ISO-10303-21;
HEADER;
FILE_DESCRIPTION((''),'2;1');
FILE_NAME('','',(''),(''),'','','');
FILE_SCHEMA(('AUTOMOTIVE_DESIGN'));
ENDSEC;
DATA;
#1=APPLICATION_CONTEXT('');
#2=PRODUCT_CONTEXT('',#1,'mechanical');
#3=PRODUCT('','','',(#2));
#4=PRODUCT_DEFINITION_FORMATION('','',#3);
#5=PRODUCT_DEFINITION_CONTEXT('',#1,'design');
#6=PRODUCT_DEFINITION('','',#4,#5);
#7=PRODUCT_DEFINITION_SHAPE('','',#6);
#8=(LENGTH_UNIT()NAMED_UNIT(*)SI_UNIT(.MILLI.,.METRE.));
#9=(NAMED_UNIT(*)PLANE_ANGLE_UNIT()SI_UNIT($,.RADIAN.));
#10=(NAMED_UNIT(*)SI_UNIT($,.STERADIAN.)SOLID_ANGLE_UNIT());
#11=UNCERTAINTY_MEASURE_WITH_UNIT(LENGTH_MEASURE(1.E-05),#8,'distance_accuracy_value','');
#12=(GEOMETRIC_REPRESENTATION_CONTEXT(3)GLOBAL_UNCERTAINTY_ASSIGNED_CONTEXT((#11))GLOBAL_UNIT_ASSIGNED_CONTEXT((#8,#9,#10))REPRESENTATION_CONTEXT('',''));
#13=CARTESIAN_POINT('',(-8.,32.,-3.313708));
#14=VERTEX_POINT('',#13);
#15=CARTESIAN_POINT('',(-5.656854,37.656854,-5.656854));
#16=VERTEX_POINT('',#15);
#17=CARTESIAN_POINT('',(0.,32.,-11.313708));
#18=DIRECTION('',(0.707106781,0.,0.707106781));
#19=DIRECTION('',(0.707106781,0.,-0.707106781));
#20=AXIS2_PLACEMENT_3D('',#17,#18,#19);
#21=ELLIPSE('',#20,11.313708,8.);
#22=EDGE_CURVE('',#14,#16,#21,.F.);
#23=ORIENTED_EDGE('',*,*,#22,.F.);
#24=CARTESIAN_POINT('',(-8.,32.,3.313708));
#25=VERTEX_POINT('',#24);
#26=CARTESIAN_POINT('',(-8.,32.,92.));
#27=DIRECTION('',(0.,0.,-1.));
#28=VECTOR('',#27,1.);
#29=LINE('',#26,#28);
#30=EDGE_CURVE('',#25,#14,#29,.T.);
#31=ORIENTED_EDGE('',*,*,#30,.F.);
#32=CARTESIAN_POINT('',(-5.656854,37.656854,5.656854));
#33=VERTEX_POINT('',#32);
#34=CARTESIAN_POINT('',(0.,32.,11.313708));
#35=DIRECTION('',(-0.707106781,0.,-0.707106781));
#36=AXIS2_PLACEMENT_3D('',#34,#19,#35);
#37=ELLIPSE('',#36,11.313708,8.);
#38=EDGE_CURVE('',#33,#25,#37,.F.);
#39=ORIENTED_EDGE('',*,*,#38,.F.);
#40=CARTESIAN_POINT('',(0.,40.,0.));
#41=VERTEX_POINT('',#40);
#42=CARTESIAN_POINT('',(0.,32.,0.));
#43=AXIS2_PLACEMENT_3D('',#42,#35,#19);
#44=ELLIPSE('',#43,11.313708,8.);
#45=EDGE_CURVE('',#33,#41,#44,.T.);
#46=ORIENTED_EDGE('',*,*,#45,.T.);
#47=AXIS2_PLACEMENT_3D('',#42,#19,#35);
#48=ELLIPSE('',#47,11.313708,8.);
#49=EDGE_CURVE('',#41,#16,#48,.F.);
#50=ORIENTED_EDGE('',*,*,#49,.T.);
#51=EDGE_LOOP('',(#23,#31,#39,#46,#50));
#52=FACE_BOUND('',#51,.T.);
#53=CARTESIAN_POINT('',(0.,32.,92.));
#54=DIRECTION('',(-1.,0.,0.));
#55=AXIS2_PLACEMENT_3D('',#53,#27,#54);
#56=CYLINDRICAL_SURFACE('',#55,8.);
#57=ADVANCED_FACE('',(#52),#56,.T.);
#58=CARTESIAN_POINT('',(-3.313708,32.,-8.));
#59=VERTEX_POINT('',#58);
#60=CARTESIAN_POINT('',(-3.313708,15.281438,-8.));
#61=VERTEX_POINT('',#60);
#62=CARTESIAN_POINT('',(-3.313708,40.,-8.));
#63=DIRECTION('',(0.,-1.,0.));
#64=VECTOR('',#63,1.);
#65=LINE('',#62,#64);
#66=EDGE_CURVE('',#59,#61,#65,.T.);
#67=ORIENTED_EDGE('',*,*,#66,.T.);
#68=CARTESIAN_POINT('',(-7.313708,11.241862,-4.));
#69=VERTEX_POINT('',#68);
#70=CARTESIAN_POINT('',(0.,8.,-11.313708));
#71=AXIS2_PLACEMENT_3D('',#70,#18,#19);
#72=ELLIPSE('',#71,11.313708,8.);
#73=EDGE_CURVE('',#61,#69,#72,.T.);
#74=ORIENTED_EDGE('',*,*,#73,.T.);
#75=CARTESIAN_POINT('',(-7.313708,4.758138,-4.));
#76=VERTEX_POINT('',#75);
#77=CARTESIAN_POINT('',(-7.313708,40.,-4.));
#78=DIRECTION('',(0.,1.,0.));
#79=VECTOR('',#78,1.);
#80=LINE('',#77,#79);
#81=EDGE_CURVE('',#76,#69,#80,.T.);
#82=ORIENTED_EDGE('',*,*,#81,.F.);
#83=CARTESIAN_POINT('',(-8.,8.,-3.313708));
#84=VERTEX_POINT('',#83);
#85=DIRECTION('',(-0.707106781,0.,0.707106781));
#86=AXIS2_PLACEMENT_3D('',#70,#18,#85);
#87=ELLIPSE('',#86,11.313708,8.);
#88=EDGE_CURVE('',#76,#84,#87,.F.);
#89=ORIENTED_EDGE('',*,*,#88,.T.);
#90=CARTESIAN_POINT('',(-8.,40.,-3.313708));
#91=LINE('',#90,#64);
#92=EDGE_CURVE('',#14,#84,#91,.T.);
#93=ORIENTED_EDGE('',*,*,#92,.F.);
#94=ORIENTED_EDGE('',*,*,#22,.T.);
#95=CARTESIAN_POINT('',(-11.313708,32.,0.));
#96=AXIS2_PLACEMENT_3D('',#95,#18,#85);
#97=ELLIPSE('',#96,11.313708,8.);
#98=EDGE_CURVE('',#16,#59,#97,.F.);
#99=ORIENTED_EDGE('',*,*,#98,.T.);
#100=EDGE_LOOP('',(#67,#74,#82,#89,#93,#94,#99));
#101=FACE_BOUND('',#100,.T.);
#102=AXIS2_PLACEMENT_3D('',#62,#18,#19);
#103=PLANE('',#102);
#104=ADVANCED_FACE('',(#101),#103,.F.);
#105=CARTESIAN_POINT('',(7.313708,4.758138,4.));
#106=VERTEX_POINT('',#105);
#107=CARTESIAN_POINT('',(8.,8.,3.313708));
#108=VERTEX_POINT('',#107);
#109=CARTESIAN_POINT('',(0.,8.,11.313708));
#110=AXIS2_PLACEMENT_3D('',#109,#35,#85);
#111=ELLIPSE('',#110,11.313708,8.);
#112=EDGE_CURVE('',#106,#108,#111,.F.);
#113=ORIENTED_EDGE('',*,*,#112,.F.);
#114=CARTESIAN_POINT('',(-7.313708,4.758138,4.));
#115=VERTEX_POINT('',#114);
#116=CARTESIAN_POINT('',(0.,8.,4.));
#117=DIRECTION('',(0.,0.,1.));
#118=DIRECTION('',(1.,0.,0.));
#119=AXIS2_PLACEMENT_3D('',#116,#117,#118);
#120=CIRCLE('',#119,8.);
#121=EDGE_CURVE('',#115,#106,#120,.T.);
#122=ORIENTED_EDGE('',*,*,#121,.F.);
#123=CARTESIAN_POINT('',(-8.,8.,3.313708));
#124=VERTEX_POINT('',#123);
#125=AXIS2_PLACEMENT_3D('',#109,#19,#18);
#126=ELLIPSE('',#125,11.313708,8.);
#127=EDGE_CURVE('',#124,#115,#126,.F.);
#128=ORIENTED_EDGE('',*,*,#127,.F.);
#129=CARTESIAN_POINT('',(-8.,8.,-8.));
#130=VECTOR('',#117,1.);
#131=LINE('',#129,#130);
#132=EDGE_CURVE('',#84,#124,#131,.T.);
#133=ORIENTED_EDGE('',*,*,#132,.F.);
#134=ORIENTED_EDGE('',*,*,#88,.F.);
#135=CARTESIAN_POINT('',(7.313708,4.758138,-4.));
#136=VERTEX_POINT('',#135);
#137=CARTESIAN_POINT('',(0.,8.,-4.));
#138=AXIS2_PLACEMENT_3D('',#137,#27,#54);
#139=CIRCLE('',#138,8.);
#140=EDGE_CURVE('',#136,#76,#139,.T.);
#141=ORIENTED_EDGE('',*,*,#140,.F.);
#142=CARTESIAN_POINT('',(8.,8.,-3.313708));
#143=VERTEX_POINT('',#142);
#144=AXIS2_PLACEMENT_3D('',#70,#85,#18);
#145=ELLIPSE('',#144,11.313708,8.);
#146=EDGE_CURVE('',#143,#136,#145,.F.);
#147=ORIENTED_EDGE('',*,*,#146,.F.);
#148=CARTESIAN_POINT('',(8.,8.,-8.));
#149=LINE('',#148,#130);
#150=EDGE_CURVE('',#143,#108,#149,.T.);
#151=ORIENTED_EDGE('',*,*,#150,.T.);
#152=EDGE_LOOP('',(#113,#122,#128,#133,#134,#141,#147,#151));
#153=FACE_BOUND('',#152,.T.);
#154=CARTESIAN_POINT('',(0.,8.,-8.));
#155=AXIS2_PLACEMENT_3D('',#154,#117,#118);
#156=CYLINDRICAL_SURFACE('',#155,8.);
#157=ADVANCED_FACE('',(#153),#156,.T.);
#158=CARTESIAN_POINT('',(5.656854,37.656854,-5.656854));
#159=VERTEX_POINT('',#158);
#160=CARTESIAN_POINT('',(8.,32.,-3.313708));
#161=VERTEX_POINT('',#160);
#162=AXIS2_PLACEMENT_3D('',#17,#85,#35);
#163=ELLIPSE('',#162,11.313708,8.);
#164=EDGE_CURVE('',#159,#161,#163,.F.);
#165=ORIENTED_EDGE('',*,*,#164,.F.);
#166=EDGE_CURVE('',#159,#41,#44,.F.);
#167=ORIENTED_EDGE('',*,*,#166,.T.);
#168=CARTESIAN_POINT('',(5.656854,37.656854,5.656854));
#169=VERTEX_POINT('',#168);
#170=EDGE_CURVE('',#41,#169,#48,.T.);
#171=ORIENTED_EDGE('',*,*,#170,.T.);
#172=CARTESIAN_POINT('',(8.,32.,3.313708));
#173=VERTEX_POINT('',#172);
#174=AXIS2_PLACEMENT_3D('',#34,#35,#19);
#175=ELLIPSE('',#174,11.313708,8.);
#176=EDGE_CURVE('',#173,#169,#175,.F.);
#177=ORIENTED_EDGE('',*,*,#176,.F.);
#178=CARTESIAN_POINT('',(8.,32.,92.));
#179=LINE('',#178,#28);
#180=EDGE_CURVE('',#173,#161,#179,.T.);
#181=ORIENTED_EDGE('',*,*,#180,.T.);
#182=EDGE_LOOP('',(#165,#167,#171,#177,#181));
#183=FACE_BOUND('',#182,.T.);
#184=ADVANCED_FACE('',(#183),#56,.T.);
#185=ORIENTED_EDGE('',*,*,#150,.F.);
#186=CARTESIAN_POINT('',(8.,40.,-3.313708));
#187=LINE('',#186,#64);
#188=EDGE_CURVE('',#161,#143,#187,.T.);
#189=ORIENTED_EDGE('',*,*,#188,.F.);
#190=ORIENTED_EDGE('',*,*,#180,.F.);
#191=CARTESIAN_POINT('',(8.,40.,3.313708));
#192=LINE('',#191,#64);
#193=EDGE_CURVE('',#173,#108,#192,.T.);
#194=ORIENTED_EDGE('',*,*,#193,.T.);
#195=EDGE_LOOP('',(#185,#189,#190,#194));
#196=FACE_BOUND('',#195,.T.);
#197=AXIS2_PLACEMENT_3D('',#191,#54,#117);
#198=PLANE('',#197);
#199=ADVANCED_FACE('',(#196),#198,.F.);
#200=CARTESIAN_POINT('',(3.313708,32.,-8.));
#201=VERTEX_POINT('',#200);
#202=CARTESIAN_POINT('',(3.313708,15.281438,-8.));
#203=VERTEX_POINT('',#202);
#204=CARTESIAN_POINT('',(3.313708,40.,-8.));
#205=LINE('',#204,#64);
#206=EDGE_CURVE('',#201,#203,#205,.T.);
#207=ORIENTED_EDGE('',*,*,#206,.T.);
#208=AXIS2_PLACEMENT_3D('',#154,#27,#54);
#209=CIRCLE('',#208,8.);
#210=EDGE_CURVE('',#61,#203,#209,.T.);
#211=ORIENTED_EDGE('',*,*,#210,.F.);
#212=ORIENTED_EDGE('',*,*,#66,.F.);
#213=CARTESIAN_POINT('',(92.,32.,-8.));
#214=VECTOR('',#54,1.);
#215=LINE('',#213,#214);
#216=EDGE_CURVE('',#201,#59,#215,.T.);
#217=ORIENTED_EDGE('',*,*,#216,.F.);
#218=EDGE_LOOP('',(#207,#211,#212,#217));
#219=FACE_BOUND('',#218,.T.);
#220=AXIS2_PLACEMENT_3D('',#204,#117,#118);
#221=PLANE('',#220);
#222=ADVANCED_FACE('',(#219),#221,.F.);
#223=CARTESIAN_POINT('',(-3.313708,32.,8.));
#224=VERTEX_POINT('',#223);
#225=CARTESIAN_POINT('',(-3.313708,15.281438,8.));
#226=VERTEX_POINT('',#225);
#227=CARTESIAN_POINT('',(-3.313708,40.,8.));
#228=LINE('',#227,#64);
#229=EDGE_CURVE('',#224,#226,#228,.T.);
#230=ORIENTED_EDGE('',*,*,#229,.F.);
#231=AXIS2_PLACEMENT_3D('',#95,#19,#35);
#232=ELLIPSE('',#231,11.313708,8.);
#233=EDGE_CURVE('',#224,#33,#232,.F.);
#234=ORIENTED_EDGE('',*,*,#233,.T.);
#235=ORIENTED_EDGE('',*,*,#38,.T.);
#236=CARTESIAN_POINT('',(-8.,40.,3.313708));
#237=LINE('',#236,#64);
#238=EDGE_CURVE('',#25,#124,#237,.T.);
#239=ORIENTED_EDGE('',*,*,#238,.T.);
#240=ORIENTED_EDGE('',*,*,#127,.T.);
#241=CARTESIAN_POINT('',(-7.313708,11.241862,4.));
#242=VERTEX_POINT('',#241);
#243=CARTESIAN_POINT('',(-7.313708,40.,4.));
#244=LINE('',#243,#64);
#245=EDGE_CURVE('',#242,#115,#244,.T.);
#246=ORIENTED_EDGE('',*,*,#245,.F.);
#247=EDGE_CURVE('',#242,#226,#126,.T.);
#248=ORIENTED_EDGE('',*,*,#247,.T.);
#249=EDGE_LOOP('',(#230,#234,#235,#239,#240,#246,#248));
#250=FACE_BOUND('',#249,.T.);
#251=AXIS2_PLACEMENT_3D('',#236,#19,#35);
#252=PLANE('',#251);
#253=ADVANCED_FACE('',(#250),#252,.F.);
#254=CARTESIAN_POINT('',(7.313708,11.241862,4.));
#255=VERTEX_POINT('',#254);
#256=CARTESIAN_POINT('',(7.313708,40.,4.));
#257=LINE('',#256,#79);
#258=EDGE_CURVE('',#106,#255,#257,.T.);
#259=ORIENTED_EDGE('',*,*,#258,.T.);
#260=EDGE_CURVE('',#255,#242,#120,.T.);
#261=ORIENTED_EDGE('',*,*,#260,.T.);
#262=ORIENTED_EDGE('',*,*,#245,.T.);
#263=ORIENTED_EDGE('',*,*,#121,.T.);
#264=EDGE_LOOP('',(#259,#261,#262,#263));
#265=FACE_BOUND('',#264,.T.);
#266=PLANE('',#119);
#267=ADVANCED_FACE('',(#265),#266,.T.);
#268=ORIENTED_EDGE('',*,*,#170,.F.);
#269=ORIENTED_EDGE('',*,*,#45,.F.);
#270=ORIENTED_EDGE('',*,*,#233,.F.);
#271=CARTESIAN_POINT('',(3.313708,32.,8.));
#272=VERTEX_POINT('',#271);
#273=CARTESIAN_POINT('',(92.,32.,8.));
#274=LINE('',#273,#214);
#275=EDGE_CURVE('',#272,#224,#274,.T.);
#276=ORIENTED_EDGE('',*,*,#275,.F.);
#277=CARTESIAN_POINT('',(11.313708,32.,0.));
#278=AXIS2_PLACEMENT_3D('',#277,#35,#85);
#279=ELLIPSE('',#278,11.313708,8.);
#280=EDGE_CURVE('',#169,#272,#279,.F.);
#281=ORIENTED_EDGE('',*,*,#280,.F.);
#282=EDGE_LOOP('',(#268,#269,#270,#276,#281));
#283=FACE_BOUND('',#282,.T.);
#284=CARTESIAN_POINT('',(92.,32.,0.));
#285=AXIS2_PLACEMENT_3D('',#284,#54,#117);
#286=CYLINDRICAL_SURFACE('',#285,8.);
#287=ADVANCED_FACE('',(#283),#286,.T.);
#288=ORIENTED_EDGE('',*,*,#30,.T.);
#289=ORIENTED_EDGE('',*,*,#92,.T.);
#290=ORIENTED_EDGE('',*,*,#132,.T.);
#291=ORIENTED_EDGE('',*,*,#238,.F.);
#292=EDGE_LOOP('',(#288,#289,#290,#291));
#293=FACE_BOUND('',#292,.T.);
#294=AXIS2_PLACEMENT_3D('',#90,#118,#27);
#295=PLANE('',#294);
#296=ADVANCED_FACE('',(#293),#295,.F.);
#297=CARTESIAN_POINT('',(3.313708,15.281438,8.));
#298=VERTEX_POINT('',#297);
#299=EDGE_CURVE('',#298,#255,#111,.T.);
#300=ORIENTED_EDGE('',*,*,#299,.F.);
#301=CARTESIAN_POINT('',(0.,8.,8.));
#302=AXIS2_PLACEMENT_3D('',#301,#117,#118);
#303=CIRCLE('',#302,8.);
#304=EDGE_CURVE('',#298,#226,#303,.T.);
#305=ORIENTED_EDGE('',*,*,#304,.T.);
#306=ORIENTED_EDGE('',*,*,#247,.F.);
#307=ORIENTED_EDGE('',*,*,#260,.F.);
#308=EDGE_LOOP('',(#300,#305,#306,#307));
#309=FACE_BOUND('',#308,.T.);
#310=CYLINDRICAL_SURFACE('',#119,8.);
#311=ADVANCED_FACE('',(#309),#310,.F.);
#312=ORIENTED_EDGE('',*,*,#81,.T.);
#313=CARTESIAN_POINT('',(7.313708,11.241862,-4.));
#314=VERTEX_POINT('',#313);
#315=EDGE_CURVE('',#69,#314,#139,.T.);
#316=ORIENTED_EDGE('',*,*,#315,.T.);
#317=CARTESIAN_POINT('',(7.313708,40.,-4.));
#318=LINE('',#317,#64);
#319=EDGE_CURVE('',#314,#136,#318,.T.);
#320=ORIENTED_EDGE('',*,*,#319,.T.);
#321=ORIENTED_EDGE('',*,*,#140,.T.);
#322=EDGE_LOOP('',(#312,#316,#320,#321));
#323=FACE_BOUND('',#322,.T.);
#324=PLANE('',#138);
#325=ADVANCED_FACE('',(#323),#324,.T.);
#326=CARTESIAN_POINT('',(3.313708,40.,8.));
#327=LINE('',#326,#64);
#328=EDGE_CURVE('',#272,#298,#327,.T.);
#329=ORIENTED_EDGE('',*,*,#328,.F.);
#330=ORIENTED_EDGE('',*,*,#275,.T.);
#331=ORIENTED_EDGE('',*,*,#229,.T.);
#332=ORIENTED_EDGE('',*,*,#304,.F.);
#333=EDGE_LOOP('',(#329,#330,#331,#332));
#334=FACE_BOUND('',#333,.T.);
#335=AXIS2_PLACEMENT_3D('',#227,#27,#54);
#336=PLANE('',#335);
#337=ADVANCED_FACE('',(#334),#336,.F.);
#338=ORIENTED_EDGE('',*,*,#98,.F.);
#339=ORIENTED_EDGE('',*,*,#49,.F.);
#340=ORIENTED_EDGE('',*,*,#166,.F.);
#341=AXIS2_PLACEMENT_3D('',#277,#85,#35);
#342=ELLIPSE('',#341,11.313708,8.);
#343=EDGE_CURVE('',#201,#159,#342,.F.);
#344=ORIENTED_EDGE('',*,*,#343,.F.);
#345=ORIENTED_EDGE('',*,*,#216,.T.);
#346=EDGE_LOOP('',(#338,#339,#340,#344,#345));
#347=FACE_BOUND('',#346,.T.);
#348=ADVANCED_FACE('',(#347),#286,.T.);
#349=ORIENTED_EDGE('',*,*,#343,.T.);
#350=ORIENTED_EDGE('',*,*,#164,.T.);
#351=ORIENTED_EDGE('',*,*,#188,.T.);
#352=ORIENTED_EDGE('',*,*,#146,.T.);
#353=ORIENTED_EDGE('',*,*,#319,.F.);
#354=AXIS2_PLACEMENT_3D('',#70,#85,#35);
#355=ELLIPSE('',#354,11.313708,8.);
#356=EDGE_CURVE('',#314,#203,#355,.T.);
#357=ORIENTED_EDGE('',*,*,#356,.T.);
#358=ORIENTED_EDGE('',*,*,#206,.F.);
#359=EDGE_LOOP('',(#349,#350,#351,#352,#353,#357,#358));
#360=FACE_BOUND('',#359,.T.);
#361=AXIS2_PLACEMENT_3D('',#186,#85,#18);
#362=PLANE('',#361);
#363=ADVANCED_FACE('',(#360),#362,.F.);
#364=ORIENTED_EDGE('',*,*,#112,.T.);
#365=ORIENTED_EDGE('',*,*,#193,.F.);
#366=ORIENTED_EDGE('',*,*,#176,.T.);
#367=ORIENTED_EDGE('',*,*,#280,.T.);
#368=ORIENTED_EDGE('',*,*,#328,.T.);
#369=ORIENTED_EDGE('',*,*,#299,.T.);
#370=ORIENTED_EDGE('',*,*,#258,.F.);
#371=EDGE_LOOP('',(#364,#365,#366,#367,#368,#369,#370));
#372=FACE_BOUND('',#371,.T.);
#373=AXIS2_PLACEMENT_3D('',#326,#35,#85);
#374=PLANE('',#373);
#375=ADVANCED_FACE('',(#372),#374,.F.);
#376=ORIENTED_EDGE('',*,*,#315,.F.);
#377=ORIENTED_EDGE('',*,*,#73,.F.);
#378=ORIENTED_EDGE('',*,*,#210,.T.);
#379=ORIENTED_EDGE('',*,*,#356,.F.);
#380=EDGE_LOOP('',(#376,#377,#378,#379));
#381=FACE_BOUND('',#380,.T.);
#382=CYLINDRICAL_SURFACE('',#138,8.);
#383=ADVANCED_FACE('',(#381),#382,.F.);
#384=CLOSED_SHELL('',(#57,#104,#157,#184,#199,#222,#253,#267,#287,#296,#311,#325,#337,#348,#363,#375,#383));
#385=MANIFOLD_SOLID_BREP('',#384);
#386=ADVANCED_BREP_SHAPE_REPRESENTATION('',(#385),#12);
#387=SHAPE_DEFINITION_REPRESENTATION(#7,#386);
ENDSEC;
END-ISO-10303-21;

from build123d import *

# Parameters (mm, degrees)
EXTRUDE_1_DEPTH          = 40
CUT_EXTRUDE_1_DEPTH      = 42.569219382
CUT_EXTRUDE_1_DEPTH_BACK = 42.569219382
CUT_EXTRUDE_START        = -4
SKETCH_5_R               = 8
CUT_EXTRUDE_2_DEPTH      = 4
SKETCH_6_R               = 8
CUT_EXTRUDE_3_DEPTH      = 4
CUT_EXTRUDE_4_DEPTH      = 100
CUT_EXTRUDE_5_DEPTH      = 100


with BuildPart() as part:
    # 草图2 → 凸台-拉伸1 (new body)
    with BuildSketch(Plane(origin=(0, 0, 0), x_dir=(1, 0, 0), z_dir=(0, 1, 0))):
        Polygon((8, 3.313708499), (3.313708499, 8), (-3.313708499, 8), (-8, 3.313708499), (-8, -3.313708499), (-3.313708499, -8), (3.313708499, -8), (8, -3.313708499), align=None)
    extrude(amount=EXTRUDE_1_DEPTH)

    # 草图4 → 切除-拉伸1 (cut, two sides: drawn at the far end of the back side and taken through both)
    with BuildSketch(Plane.XY.offset(-CUT_EXTRUDE_1_DEPTH_BACK)):
        with BuildLine():
            Line((-8, 8), (-8, -3.683086278))
            Line((-8, -3.683086278), (8, -3.683086278))
            Line((8, -3.683086278), (8, 8))
            ThreePointArc((8, 8), (0, 0), (-8, 8))
        make_face()
    extrude(amount=CUT_EXTRUDE_1_DEPTH + CUT_EXTRUDE_1_DEPTH_BACK, mode=Mode.SUBTRACT)

    # 草图5 → 切除-拉伸2 (cut)
    with BuildSketch(Plane.XY.offset(8).offset(CUT_EXTRUDE_START)):
        with Locations((0, 8)):
            Circle(SKETCH_5_R)
    extrude(amount=CUT_EXTRUDE_2_DEPTH, mode=Mode.SUBTRACT)

    # 草图6 → 切除-拉伸3 (cut)
    with BuildSketch(Plane(origin=(0, 0, -8), x_dir=(-1, 0, 0), z_dir=(0, 0, -1))):
        with Locations((0, 8)):
            Circle(SKETCH_6_R)
    extrude(amount=-CUT_EXTRUDE_3_DEPTH, mode=Mode.SUBTRACT)

    # 草图7 → 切除-拉伸4 (cut)
    with BuildSketch(Plane(origin=(0, 0, -8), x_dir=(-1, 0, 0), z_dir=(0, 0, -1))):
        with BuildLine():
            Line((-8, 32), (-8, 48.980650176))
            Line((-8, 48.980650176), (8, 48.980650176))
            Line((8, 48.980650176), (8, 32))
            ThreePointArc((8, 32), (0, 40), (-8, 32))
        make_face()
    extrude(amount=-CUT_EXTRUDE_4_DEPTH, mode=Mode.SUBTRACT)

    # 草图8 → 切除-拉伸5 (cut)
    with BuildSketch(Plane.ZY.offset(8)):
        with BuildLine():
            Line((-8, 32), (-8, 42.16921849))
            Line((-8, 42.16921849), (8, 42.16921849))
            Line((8, 42.16921849), (8, 32))
            ThreePointArc((8, 32), (0, 40), (-8, 32))
        make_face()
    extrude(amount=-CUT_EXTRUDE_5_DEPTH, mode=Mode.SUBTRACT)


solid = part.part
